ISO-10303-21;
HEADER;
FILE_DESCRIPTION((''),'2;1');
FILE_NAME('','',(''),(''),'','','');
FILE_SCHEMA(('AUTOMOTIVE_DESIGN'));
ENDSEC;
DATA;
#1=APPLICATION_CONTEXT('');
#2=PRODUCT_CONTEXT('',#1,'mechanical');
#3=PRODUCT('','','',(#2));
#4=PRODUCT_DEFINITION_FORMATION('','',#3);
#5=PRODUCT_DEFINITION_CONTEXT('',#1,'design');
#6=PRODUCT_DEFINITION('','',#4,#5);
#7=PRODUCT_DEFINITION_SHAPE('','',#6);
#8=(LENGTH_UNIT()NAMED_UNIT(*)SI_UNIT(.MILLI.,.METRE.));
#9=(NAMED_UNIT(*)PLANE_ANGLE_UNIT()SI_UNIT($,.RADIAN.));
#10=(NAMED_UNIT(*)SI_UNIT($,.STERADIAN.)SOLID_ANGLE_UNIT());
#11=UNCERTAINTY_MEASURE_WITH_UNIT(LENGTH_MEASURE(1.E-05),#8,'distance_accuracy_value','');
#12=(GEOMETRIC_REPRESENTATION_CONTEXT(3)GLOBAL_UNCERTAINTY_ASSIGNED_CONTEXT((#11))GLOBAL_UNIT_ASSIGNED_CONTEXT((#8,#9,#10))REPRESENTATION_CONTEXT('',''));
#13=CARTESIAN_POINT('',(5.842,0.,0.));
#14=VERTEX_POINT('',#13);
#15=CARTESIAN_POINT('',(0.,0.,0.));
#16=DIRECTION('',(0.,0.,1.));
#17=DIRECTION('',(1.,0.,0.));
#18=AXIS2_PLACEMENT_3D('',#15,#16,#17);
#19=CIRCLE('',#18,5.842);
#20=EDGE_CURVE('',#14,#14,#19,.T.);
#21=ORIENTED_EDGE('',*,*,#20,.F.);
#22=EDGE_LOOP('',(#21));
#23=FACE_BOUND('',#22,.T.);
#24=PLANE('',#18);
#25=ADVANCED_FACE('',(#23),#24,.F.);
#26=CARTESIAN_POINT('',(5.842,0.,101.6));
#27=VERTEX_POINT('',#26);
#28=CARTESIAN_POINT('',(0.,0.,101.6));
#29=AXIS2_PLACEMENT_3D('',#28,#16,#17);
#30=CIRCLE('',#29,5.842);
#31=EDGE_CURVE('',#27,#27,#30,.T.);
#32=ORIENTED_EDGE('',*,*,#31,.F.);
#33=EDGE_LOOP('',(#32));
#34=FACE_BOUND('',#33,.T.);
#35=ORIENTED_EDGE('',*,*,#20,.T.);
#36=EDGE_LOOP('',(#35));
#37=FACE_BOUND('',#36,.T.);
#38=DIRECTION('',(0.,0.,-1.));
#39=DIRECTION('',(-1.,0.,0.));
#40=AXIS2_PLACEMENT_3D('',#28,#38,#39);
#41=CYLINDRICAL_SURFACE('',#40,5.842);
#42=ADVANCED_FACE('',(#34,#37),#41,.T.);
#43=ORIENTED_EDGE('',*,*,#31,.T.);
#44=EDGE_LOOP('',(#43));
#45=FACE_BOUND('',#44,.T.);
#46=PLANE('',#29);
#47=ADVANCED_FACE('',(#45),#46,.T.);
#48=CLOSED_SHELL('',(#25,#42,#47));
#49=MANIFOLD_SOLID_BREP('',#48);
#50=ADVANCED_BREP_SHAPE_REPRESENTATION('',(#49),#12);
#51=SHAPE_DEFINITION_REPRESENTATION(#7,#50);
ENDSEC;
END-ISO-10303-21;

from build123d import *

# Parameters (mm, degrees)
SKETCH1_R           = 5.842
BOSS_EXTRUDE2_DEPTH = 101.6


with BuildPart() as part:
    # Sketch1 → Boss-Extrude2 (new body)
    with BuildSketch(Plane.XY):
        Circle(SKETCH1_R)
    extrude(amount=BOSS_EXTRUDE2_DEPTH)


solid = part.part
